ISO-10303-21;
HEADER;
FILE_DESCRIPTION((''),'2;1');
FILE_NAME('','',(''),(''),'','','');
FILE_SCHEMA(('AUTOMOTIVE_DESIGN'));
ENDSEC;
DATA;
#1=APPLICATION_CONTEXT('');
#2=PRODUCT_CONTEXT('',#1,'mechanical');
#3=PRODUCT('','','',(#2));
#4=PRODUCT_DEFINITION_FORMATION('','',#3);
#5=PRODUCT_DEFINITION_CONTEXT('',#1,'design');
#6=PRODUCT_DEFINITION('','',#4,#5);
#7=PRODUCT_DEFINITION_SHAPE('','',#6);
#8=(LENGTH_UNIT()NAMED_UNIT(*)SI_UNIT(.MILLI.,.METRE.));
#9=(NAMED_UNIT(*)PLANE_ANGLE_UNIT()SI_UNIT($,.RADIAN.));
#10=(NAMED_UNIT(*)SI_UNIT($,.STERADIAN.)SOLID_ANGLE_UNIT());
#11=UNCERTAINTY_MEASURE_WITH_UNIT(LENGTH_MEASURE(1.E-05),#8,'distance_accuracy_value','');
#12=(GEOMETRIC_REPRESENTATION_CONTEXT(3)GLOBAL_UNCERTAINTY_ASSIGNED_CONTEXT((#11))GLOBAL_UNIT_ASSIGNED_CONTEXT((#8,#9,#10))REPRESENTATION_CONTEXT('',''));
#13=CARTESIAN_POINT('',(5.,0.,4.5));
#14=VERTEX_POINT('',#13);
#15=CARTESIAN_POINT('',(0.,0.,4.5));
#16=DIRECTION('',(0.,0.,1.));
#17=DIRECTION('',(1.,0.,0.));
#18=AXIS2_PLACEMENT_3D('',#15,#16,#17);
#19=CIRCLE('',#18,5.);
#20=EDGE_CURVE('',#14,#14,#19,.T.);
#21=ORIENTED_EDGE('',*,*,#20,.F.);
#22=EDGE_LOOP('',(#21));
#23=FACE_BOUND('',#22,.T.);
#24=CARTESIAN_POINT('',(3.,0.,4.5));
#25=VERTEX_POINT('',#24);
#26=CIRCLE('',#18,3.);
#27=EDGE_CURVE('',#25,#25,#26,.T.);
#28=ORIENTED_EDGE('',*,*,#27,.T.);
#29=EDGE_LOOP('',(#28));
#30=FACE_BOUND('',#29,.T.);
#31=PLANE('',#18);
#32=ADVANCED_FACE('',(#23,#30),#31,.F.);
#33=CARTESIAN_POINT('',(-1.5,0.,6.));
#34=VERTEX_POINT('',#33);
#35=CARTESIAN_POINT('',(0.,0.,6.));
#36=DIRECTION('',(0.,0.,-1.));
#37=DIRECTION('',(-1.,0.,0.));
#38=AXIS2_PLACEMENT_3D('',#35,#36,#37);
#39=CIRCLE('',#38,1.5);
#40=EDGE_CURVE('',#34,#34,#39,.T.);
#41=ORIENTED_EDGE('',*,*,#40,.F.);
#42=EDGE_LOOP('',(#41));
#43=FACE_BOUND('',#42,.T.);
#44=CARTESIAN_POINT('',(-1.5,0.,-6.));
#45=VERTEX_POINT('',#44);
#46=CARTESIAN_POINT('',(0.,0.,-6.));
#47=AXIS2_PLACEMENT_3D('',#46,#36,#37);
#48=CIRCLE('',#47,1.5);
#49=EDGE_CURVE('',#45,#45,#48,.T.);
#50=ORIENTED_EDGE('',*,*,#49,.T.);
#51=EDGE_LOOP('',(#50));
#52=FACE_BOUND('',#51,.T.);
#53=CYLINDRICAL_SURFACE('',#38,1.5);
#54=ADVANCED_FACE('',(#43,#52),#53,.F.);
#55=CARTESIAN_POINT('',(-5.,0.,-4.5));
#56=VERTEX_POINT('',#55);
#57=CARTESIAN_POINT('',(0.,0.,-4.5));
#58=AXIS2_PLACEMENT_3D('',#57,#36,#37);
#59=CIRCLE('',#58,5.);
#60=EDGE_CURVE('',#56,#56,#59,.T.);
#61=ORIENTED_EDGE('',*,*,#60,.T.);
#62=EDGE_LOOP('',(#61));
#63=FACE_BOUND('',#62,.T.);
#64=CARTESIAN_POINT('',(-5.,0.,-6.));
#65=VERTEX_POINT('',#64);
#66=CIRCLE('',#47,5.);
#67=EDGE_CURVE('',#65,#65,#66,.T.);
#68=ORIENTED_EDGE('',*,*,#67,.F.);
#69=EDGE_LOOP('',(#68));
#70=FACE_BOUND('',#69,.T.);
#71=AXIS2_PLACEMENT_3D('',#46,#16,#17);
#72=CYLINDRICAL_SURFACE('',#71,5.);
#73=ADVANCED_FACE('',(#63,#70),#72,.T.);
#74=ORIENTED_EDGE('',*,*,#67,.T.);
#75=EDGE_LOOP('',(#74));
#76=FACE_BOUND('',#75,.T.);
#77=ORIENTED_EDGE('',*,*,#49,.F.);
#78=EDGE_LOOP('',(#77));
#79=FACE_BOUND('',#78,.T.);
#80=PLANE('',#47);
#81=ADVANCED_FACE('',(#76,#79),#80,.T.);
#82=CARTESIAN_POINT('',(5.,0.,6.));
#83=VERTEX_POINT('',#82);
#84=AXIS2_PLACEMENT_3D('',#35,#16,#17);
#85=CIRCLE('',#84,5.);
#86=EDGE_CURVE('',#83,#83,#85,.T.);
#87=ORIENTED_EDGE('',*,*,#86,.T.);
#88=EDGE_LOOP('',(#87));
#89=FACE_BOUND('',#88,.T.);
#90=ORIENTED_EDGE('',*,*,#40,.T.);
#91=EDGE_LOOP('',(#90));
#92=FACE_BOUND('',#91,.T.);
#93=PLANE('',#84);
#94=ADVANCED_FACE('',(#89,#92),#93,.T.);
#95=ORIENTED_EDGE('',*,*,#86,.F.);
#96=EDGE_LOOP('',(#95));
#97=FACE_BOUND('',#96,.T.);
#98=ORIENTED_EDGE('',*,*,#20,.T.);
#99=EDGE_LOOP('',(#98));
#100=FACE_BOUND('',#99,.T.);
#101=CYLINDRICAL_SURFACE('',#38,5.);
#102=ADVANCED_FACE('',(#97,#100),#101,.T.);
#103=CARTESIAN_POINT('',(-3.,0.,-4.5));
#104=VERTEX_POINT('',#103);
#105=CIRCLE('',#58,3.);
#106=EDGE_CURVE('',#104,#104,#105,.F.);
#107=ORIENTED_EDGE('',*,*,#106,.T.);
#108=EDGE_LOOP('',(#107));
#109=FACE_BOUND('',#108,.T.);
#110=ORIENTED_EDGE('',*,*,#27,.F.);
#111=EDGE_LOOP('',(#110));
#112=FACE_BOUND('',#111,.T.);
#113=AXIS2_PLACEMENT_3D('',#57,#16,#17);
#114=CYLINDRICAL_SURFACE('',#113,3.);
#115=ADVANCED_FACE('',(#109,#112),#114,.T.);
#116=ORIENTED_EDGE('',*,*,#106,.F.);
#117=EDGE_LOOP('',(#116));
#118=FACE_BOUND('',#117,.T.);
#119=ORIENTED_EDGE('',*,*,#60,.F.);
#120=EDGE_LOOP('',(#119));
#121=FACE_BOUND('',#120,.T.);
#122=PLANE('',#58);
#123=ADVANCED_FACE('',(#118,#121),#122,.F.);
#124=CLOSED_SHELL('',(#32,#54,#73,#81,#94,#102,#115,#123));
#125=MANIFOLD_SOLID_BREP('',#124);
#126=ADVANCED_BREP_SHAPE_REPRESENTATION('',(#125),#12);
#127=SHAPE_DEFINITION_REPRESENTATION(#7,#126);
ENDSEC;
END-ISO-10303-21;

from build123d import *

# Parameters (mm, degrees)
EXTRUDE_1_DEPTH      = 4.5
EXTRUDE_1_DEPTH_BACK = 4.5
SKETCH_1_R           = 3
SKETCH_2_R           = 5
EXTRUDE_2_DEPTH      = 1.5
EXTRUDE_START        = 1.5
SKETCH_3_R           = 5
EXTRUDE_3_DEPTH      = 1.5
SKETCH_4_R           = 1.5
CUT_EXTRUDE_1_DEPTH  = 14.928388277


with BuildPart() as part:
    # 草图1 → 凸台-拉伸1 (new, two sides: drawn at the far end of the back side and taken through both)
    with BuildSketch(Plane.XY.offset(-EXTRUDE_1_DEPTH_BACK)):
        Circle(SKETCH_1_R)
    extrude(amount=EXTRUDE_1_DEPTH + EXTRUDE_1_DEPTH_BACK)

    # 草图2 → 凸台-拉伸2 (add)
    with BuildSketch(Plane.XY.offset(4.5)):
        Circle(SKETCH_2_R)
    extrude(amount=EXTRUDE_2_DEPTH)

    # 草图3 → 凸台-拉伸3 (add)
    with BuildSketch(Plane(origin=(0, 0, -4.5), x_dir=(-1, 0, 0), z_dir=(0, 0, -1)).offset(EXTRUDE_START)):
        Circle(SKETCH_3_R)
    extrude(amount=-EXTRUDE_3_DEPTH)

    # 草图4 → 切除-拉伸1 (cut, through all)
    with BuildSketch(Plane(origin=(0, 0, -6), x_dir=(-1, 0, 0), z_dir=(0, 0, -1))):
        Circle(SKETCH_4_R)
    extrude(amount=-CUT_EXTRUDE_1_DEPTH, mode=Mode.SUBTRACT)


solid = part.part
